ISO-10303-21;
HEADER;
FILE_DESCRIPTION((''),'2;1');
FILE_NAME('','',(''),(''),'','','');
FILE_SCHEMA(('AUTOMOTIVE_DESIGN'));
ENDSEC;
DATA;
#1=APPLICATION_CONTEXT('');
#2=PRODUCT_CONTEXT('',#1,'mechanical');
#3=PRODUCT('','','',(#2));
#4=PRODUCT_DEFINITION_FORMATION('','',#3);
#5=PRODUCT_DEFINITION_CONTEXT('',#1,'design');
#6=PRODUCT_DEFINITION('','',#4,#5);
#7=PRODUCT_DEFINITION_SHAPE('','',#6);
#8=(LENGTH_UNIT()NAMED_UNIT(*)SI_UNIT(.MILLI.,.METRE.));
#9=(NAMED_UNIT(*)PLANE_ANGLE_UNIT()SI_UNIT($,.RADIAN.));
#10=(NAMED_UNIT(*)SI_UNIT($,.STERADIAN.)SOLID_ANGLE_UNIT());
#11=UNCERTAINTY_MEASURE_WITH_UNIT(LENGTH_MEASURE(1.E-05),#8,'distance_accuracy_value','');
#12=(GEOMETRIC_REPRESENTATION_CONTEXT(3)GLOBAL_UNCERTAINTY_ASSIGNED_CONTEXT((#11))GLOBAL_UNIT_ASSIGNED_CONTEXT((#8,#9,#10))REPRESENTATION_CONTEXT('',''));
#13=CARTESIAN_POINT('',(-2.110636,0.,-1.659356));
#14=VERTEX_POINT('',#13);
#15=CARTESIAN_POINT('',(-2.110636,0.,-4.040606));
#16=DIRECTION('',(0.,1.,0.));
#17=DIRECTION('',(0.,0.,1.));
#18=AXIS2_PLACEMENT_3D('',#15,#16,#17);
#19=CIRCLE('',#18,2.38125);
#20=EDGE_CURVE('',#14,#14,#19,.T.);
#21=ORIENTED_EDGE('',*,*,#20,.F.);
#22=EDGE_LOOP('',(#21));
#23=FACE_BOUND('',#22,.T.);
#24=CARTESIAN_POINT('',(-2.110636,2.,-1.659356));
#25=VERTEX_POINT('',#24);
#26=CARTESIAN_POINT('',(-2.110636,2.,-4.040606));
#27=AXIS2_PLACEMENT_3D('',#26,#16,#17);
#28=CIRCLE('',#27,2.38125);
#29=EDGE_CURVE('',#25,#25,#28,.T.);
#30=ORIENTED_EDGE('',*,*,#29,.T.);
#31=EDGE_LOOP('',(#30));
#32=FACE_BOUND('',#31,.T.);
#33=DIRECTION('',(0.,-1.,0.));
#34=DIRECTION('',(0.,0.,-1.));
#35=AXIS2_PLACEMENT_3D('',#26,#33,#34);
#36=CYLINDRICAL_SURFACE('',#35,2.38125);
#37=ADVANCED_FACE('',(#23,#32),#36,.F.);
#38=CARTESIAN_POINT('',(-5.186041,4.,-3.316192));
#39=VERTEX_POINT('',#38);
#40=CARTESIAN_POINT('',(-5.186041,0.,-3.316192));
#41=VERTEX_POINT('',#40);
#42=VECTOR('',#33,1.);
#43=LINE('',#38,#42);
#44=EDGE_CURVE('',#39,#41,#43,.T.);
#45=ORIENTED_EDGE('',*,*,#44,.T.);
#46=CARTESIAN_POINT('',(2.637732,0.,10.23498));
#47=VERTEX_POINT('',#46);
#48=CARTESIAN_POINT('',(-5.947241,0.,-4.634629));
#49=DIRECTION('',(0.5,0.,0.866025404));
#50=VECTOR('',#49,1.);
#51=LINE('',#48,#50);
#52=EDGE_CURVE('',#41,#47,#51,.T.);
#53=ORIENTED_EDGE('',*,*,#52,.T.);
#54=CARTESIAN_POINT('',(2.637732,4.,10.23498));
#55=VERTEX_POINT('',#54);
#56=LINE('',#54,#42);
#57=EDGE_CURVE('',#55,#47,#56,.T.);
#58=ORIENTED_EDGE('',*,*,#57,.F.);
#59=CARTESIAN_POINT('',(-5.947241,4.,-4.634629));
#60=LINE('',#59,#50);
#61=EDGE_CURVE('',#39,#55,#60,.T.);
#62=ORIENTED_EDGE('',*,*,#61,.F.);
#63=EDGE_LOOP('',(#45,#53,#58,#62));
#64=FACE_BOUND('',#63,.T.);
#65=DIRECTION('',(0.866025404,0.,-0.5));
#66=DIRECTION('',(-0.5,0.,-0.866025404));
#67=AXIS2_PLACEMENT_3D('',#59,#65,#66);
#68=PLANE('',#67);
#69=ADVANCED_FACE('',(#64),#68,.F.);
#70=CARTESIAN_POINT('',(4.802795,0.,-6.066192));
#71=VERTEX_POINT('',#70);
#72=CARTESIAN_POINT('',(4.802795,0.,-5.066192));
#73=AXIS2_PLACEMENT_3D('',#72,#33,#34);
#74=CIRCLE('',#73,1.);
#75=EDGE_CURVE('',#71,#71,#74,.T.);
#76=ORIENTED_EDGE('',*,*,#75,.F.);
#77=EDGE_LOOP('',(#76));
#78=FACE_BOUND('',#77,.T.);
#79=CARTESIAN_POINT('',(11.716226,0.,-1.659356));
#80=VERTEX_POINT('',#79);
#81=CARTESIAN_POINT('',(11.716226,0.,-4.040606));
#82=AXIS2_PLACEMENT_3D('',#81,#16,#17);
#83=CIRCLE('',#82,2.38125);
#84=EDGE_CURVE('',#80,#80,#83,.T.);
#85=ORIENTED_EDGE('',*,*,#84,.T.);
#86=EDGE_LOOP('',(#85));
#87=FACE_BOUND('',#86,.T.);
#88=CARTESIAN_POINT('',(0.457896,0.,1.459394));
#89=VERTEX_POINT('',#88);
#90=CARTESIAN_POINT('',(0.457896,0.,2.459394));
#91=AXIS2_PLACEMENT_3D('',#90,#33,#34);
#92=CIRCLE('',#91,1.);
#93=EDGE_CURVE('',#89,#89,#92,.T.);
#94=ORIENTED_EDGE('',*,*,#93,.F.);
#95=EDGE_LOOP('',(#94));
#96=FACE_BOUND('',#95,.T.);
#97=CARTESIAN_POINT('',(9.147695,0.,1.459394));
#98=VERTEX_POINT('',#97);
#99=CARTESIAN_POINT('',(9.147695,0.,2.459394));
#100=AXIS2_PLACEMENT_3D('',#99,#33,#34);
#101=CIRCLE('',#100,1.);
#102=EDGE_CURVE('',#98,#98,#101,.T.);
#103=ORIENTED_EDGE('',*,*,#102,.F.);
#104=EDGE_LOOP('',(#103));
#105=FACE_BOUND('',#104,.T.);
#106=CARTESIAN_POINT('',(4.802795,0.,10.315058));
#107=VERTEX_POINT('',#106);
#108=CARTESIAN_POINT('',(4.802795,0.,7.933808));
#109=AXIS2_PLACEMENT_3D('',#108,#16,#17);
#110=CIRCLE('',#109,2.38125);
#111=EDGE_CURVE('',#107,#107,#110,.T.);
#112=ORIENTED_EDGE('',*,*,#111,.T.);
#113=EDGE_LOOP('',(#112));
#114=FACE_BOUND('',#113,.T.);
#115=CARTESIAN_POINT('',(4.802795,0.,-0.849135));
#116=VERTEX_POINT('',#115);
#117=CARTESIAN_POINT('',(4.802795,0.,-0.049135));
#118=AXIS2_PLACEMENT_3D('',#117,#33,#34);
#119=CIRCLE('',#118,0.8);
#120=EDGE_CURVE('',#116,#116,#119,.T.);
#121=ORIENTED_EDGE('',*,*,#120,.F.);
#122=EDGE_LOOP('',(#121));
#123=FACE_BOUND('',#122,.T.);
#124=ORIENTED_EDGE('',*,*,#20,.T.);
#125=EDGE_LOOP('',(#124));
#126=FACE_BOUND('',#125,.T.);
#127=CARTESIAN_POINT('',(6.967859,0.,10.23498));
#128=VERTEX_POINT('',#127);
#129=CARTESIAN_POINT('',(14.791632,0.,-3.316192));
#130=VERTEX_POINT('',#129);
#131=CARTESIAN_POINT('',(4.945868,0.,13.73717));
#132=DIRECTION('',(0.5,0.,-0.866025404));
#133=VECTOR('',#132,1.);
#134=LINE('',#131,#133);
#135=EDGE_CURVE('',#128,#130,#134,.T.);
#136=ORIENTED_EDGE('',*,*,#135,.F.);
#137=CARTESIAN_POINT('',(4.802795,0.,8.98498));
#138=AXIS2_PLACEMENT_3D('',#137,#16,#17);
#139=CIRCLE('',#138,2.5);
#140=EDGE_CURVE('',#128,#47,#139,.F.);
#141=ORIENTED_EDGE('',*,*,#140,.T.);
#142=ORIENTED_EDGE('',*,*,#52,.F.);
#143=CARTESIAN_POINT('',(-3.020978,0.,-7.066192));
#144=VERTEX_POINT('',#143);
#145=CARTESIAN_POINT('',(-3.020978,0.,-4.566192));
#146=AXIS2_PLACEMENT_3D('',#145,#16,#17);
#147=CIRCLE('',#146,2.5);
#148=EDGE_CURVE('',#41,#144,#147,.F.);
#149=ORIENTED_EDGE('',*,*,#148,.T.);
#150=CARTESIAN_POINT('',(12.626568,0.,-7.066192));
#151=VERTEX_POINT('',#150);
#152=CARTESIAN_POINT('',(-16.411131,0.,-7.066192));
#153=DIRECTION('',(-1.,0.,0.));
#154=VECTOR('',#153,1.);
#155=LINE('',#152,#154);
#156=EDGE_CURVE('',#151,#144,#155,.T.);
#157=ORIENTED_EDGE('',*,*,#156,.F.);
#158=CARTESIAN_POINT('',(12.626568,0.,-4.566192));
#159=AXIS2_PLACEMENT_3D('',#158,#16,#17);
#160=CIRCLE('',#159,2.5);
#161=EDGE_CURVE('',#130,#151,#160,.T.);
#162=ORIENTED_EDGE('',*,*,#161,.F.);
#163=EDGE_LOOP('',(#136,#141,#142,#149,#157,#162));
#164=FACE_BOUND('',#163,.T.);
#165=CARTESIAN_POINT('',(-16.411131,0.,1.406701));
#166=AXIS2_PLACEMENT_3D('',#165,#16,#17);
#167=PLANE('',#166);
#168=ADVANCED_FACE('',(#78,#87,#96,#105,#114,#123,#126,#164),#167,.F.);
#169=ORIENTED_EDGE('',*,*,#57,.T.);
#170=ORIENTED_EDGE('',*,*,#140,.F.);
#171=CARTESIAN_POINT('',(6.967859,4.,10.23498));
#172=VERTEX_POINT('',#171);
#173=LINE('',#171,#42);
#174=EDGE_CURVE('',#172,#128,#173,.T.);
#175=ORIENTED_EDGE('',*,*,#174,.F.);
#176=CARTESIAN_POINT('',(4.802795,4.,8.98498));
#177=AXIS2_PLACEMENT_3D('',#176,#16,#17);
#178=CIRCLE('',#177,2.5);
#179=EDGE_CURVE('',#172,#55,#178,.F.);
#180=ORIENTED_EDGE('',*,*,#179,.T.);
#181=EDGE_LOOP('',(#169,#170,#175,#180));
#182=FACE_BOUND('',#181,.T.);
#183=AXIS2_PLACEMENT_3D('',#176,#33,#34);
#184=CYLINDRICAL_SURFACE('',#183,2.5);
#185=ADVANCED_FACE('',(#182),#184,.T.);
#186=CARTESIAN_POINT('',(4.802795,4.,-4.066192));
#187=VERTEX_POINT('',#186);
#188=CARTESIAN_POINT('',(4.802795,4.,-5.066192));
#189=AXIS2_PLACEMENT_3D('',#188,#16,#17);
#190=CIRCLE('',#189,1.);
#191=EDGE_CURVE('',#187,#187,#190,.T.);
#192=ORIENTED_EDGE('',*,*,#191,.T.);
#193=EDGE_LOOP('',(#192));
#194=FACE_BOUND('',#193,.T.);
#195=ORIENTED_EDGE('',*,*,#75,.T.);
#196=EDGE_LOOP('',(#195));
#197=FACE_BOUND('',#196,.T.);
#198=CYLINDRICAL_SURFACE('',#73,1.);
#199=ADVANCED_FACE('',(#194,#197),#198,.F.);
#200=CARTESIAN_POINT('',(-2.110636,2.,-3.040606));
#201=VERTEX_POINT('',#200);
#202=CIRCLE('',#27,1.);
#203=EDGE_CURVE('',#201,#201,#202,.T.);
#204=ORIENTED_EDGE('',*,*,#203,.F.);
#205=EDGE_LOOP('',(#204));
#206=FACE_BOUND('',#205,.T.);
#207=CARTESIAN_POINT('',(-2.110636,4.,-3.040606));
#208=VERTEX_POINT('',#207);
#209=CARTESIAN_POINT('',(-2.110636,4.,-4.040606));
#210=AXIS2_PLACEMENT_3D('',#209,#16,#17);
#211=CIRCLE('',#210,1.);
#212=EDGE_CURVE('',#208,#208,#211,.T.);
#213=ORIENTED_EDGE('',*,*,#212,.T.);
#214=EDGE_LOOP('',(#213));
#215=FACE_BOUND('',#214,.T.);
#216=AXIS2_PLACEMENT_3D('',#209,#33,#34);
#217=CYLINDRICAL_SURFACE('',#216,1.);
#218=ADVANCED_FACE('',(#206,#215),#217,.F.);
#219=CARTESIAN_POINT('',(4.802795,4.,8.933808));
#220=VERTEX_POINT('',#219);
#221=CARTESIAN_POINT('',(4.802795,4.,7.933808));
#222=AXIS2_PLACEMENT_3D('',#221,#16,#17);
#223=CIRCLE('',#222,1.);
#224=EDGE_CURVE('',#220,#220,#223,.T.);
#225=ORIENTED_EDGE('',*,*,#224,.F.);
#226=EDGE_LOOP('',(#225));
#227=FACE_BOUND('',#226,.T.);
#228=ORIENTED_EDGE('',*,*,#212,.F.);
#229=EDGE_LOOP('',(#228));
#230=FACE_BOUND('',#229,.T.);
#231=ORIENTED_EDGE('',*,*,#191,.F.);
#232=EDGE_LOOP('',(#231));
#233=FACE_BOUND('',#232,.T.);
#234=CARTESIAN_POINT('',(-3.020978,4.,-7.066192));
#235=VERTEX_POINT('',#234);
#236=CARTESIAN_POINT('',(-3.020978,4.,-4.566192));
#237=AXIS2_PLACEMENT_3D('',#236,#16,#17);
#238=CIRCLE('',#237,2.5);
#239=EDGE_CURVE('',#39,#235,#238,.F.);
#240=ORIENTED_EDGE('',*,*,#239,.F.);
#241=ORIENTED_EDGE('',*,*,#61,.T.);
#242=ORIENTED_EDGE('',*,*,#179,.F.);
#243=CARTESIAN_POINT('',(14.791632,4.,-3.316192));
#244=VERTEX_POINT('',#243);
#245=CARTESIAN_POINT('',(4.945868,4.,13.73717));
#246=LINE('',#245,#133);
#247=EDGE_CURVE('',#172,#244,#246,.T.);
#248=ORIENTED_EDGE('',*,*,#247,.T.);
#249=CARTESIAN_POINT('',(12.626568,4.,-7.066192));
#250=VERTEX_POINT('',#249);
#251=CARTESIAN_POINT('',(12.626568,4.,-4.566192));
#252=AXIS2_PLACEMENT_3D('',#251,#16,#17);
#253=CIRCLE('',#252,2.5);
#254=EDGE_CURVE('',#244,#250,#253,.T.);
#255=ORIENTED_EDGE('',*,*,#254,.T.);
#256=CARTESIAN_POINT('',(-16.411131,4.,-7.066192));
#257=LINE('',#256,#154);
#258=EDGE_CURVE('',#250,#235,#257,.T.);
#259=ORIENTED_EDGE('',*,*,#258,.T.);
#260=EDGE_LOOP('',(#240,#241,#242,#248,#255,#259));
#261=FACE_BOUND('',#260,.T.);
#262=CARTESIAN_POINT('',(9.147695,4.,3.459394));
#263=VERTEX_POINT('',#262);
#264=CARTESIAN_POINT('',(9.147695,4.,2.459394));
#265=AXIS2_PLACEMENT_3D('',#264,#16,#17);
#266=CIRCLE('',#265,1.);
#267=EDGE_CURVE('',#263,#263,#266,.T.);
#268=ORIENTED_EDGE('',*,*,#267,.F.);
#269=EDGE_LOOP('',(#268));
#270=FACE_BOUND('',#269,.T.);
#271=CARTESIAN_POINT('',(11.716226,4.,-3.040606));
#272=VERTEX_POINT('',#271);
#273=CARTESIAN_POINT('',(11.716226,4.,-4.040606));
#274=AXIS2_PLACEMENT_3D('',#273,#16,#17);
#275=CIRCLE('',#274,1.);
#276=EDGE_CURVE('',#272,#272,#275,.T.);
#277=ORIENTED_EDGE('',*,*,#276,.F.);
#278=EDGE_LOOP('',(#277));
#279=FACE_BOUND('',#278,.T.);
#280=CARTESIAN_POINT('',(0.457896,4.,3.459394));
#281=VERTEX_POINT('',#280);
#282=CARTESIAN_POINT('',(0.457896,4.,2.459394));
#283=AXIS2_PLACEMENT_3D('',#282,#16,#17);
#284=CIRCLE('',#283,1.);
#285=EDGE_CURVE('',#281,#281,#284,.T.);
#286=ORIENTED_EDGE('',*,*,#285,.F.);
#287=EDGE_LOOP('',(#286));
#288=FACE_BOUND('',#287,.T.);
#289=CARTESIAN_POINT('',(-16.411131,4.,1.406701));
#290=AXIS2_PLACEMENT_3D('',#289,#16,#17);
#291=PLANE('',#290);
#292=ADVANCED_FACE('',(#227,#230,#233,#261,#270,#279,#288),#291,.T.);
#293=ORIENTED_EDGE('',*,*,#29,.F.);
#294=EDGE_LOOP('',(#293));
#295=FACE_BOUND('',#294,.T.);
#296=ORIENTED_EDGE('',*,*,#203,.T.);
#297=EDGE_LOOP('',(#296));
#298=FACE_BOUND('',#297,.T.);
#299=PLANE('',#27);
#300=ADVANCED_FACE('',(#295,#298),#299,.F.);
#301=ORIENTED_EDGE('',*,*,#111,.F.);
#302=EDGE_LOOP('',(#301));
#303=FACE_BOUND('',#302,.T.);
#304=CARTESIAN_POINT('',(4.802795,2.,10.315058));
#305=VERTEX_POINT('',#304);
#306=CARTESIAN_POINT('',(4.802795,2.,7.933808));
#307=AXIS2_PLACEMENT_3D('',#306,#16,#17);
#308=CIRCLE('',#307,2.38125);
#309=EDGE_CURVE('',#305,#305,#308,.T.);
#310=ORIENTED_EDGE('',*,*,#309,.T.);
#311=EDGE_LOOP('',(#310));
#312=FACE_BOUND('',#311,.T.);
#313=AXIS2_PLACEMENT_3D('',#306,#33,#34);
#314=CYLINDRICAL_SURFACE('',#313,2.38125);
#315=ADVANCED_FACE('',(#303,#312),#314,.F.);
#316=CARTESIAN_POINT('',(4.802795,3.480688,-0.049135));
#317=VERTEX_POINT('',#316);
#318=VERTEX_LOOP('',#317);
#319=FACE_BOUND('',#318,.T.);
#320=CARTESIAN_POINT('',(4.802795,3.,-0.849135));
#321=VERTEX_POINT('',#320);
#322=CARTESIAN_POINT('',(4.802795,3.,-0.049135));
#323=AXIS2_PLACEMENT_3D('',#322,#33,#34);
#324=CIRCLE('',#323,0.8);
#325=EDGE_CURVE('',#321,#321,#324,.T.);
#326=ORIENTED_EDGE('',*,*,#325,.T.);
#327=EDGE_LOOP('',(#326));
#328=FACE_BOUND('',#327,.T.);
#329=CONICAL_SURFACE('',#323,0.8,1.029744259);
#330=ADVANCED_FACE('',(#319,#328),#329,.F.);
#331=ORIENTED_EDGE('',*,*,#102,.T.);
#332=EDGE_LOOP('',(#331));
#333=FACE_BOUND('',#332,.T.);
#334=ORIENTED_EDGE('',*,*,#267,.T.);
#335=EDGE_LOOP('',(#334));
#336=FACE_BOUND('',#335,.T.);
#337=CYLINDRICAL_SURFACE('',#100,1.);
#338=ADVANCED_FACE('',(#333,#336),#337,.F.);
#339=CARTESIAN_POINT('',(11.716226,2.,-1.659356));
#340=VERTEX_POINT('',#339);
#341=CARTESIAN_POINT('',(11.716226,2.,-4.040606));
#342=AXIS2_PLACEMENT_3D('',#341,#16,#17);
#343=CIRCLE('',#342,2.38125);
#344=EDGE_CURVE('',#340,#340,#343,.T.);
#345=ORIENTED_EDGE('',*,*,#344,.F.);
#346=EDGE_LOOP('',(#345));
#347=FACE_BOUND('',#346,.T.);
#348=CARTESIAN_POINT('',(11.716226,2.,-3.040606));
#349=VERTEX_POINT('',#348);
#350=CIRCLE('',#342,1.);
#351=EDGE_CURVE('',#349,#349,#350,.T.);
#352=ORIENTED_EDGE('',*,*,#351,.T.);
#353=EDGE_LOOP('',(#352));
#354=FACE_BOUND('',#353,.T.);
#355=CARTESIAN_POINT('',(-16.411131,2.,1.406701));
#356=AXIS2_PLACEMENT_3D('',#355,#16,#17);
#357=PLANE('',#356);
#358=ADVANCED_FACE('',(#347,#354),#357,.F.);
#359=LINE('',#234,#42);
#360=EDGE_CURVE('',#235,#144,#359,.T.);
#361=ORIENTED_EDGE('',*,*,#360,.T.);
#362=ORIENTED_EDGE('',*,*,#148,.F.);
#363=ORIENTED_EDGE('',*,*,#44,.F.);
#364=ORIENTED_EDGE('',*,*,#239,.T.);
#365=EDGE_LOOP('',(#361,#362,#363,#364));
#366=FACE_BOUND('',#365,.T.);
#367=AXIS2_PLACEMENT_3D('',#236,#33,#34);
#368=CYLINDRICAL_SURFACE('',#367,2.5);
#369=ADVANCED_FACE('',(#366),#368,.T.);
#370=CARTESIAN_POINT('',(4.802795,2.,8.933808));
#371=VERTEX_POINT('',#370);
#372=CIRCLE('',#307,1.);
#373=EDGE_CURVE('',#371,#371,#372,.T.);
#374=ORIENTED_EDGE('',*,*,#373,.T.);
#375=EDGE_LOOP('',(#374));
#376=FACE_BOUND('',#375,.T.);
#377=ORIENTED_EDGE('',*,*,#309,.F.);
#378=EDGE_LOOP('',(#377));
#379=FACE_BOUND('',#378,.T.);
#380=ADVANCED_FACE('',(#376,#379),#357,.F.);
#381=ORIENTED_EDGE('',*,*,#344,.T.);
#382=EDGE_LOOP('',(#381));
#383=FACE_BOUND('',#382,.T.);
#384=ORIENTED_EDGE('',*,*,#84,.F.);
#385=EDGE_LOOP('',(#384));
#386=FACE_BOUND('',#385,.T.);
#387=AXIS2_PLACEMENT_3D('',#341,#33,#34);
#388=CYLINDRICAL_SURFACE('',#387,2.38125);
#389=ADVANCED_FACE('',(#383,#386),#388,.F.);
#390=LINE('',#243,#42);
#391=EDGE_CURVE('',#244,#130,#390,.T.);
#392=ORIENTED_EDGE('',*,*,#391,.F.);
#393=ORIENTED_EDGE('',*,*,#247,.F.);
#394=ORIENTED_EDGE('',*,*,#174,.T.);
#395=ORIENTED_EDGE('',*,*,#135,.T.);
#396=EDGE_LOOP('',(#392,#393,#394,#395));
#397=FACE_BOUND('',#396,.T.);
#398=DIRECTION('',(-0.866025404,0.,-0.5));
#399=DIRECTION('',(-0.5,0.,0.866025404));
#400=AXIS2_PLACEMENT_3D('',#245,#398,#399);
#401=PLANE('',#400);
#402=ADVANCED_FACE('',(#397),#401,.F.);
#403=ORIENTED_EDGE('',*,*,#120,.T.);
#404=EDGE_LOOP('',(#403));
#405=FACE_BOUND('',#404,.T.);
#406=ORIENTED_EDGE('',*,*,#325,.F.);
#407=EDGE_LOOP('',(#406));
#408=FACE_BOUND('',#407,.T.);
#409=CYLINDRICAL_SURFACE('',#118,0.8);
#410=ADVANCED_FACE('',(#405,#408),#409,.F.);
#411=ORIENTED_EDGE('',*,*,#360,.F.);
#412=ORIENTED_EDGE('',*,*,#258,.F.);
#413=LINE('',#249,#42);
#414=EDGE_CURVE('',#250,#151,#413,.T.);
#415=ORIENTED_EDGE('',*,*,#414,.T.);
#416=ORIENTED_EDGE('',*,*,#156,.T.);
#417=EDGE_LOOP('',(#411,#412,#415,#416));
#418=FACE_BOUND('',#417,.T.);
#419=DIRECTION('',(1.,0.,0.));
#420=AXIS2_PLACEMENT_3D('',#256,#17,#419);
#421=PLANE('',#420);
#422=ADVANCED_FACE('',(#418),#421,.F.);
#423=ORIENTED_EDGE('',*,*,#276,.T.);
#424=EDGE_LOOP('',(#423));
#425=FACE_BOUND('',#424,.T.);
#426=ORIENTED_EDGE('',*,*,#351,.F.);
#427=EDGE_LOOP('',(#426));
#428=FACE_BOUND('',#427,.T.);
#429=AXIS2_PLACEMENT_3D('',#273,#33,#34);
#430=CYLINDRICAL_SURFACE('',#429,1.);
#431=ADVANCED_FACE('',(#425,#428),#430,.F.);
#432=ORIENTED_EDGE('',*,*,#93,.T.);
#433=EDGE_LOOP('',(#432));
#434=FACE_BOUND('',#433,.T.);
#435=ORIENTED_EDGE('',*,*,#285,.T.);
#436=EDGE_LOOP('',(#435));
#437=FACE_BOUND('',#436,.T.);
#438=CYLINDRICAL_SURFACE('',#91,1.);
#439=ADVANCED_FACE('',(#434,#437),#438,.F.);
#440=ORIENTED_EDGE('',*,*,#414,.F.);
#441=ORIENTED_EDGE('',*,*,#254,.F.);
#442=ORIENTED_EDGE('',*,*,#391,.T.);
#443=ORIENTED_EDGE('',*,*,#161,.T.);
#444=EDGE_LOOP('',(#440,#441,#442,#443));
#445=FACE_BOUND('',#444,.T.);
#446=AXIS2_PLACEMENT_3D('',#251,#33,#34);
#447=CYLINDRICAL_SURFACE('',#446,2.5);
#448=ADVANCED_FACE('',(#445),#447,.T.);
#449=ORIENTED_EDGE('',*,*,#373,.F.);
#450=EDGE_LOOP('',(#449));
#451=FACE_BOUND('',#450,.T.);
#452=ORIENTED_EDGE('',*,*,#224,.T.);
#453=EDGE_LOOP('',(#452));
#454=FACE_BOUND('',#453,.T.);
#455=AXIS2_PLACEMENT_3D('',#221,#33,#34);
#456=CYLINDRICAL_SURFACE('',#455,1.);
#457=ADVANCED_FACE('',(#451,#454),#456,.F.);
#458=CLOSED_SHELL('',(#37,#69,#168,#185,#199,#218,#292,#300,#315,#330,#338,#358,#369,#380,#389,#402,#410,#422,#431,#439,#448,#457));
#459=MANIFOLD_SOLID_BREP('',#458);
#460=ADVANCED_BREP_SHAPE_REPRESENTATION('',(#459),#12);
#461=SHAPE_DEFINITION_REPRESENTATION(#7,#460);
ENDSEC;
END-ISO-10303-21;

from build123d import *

# Parameters (mm, degrees)
SKETCH1_R                    = 1
EXTRUDE1_DEPTH               = 4
SKETCH1_3_R                  = 2.38125
SKETCH1_3_R_2                = 1
EXTRUDE4_DEPTH               = 2
M2X0_4_TAPPED_HOLE1_D        = 1.6
M2X0_4_TAPPED_HOLE1_DEPTH    = 3
M2X0_4_TAPPED_HOLE1_TIP      = 0.480688495
F_2_0_2_DIAMETER_HOLE1_D     = 2
F_2_0_2_DIAMETER_HOLE1_DEPTH = 10
F_2_0_2_DIAMETER_HOLE1_TIP   = 0.600860619


with BuildPart() as part:
    # Sketch1 → Extrude1 (new body)
    with BuildSketch(Plane(origin=(0, 0, 0), x_dir=(1, 0, 0), z_dir=(0, 1, 0))):
        with BuildLine():
            ThreePointArc((-3.020977638, 7.066192399), (-5.186041147, 5.816192399), (-5.186041147, 3.316192399))
            Line((-5.186041147, 3.316192399), (2.637731834, -10.234979911))
            ThreePointArc((2.637731834, -10.234979911), (4.802795343, -11.484979911), (6.967858853, -10.234979911))
            Line((6.967858853, -10.234979911), (14.791631834, 3.316192399))
            ThreePointArc((14.791631834, 3.316192399), (14.791631834, 5.816192399), (12.626568324, 7.066192399))
            Line((12.626568324, 7.066192399), (-3.020977638, 7.066192399))
        make_face()
        with Locations((4.802795343, -7.933807601)):
            Circle(SKETCH1_R, mode=Mode.SUBTRACT)
        with Locations((-2.110635714, 4.040606244)):
            Circle(SKETCH1_R, mode=Mode.SUBTRACT)
        with Locations((11.7162264, 4.040606244)):
            Circle(SKETCH1_R, mode=Mode.SUBTRACT)
    extrude(amount=EXTRUDE1_DEPTH)

    # Sketch1<3> → Extrude4 (cut)
    # profile 1 of 3: a face of its own
    with BuildSketch(Plane(origin=(0, 0, 0), x_dir=(1, 0, 0), z_dir=(0, 1, 0))):
        with Locations((-2.110635714, 4.040606244)):
            Circle(SKETCH1_3_R)
    # profile 2 of 3: a face of its own
    with BuildSketch(Plane(origin=(0, 0, 0), x_dir=(1, 0, 0), z_dir=(0, 1, 0))):
        with Locations((4.802795343, -7.933807601)):
            Circle(SKETCH1_3_R)
        with Locations((4.802795343, -7.933807601)):
            Circle(SKETCH1_3_R_2, mode=Mode.SUBTRACT)
    # profile 3 of 3: a face of its own
    with BuildSketch(Plane(origin=(0, 0, 0), x_dir=(1, 0, 0), z_dir=(0, 1, 0))):
        with Locations((11.7162264, 4.040606244)):
            Circle(SKETCH1_3_R)
        with Locations((11.7162264, 4.040606244)):
            Circle(SKETCH1_3_R_2, mode=Mode.SUBTRACT)
    extrude(amount=EXTRUDE4_DEPTH, mode=Mode.SUBTRACT)

    # M2x0.4 Tapped Hole1
    with Locations(Plane(origin=(4.802795343, 0, -0.049134963), x_dir=(0, 0, -1), z_dir=(0, -1, 0))):
        with Locations((0, 0)):
            Hole(M2X0_4_TAPPED_HOLE1_D / 2, depth=M2X0_4_TAPPED_HOLE1_DEPTH)
            with Locations((0, 0, -(M2X0_4_TAPPED_HOLE1_DEPTH + M2X0_4_TAPPED_HOLE1_TIP / 2))):  # 118° drill point
                Cone(0, M2X0_4_TAPPED_HOLE1_D / 2, M2X0_4_TAPPED_HOLE1_TIP, mode=Mode.SUBTRACT)

    # Ø2.0 (2) Diameter Hole1
    with Locations(Plane(origin=(0.457896151, 0, 2.459393756), x_dir=(0, 0, -1), z_dir=(0, -1, 0))):
        with Locations((0, 0), (0, 8.689798385), (7.525586155, 4.344899192)):
            Hole(F_2_0_2_DIAMETER_HOLE1_D / 2, depth=F_2_0_2_DIAMETER_HOLE1_DEPTH)
            with Locations((0, 0, -(F_2_0_2_DIAMETER_HOLE1_DEPTH + F_2_0_2_DIAMETER_HOLE1_TIP / 2))):  # 118° drill point
                Cone(0, F_2_0_2_DIAMETER_HOLE1_D / 2, F_2_0_2_DIAMETER_HOLE1_TIP, mode=Mode.SUBTRACT)


solid = part.part
